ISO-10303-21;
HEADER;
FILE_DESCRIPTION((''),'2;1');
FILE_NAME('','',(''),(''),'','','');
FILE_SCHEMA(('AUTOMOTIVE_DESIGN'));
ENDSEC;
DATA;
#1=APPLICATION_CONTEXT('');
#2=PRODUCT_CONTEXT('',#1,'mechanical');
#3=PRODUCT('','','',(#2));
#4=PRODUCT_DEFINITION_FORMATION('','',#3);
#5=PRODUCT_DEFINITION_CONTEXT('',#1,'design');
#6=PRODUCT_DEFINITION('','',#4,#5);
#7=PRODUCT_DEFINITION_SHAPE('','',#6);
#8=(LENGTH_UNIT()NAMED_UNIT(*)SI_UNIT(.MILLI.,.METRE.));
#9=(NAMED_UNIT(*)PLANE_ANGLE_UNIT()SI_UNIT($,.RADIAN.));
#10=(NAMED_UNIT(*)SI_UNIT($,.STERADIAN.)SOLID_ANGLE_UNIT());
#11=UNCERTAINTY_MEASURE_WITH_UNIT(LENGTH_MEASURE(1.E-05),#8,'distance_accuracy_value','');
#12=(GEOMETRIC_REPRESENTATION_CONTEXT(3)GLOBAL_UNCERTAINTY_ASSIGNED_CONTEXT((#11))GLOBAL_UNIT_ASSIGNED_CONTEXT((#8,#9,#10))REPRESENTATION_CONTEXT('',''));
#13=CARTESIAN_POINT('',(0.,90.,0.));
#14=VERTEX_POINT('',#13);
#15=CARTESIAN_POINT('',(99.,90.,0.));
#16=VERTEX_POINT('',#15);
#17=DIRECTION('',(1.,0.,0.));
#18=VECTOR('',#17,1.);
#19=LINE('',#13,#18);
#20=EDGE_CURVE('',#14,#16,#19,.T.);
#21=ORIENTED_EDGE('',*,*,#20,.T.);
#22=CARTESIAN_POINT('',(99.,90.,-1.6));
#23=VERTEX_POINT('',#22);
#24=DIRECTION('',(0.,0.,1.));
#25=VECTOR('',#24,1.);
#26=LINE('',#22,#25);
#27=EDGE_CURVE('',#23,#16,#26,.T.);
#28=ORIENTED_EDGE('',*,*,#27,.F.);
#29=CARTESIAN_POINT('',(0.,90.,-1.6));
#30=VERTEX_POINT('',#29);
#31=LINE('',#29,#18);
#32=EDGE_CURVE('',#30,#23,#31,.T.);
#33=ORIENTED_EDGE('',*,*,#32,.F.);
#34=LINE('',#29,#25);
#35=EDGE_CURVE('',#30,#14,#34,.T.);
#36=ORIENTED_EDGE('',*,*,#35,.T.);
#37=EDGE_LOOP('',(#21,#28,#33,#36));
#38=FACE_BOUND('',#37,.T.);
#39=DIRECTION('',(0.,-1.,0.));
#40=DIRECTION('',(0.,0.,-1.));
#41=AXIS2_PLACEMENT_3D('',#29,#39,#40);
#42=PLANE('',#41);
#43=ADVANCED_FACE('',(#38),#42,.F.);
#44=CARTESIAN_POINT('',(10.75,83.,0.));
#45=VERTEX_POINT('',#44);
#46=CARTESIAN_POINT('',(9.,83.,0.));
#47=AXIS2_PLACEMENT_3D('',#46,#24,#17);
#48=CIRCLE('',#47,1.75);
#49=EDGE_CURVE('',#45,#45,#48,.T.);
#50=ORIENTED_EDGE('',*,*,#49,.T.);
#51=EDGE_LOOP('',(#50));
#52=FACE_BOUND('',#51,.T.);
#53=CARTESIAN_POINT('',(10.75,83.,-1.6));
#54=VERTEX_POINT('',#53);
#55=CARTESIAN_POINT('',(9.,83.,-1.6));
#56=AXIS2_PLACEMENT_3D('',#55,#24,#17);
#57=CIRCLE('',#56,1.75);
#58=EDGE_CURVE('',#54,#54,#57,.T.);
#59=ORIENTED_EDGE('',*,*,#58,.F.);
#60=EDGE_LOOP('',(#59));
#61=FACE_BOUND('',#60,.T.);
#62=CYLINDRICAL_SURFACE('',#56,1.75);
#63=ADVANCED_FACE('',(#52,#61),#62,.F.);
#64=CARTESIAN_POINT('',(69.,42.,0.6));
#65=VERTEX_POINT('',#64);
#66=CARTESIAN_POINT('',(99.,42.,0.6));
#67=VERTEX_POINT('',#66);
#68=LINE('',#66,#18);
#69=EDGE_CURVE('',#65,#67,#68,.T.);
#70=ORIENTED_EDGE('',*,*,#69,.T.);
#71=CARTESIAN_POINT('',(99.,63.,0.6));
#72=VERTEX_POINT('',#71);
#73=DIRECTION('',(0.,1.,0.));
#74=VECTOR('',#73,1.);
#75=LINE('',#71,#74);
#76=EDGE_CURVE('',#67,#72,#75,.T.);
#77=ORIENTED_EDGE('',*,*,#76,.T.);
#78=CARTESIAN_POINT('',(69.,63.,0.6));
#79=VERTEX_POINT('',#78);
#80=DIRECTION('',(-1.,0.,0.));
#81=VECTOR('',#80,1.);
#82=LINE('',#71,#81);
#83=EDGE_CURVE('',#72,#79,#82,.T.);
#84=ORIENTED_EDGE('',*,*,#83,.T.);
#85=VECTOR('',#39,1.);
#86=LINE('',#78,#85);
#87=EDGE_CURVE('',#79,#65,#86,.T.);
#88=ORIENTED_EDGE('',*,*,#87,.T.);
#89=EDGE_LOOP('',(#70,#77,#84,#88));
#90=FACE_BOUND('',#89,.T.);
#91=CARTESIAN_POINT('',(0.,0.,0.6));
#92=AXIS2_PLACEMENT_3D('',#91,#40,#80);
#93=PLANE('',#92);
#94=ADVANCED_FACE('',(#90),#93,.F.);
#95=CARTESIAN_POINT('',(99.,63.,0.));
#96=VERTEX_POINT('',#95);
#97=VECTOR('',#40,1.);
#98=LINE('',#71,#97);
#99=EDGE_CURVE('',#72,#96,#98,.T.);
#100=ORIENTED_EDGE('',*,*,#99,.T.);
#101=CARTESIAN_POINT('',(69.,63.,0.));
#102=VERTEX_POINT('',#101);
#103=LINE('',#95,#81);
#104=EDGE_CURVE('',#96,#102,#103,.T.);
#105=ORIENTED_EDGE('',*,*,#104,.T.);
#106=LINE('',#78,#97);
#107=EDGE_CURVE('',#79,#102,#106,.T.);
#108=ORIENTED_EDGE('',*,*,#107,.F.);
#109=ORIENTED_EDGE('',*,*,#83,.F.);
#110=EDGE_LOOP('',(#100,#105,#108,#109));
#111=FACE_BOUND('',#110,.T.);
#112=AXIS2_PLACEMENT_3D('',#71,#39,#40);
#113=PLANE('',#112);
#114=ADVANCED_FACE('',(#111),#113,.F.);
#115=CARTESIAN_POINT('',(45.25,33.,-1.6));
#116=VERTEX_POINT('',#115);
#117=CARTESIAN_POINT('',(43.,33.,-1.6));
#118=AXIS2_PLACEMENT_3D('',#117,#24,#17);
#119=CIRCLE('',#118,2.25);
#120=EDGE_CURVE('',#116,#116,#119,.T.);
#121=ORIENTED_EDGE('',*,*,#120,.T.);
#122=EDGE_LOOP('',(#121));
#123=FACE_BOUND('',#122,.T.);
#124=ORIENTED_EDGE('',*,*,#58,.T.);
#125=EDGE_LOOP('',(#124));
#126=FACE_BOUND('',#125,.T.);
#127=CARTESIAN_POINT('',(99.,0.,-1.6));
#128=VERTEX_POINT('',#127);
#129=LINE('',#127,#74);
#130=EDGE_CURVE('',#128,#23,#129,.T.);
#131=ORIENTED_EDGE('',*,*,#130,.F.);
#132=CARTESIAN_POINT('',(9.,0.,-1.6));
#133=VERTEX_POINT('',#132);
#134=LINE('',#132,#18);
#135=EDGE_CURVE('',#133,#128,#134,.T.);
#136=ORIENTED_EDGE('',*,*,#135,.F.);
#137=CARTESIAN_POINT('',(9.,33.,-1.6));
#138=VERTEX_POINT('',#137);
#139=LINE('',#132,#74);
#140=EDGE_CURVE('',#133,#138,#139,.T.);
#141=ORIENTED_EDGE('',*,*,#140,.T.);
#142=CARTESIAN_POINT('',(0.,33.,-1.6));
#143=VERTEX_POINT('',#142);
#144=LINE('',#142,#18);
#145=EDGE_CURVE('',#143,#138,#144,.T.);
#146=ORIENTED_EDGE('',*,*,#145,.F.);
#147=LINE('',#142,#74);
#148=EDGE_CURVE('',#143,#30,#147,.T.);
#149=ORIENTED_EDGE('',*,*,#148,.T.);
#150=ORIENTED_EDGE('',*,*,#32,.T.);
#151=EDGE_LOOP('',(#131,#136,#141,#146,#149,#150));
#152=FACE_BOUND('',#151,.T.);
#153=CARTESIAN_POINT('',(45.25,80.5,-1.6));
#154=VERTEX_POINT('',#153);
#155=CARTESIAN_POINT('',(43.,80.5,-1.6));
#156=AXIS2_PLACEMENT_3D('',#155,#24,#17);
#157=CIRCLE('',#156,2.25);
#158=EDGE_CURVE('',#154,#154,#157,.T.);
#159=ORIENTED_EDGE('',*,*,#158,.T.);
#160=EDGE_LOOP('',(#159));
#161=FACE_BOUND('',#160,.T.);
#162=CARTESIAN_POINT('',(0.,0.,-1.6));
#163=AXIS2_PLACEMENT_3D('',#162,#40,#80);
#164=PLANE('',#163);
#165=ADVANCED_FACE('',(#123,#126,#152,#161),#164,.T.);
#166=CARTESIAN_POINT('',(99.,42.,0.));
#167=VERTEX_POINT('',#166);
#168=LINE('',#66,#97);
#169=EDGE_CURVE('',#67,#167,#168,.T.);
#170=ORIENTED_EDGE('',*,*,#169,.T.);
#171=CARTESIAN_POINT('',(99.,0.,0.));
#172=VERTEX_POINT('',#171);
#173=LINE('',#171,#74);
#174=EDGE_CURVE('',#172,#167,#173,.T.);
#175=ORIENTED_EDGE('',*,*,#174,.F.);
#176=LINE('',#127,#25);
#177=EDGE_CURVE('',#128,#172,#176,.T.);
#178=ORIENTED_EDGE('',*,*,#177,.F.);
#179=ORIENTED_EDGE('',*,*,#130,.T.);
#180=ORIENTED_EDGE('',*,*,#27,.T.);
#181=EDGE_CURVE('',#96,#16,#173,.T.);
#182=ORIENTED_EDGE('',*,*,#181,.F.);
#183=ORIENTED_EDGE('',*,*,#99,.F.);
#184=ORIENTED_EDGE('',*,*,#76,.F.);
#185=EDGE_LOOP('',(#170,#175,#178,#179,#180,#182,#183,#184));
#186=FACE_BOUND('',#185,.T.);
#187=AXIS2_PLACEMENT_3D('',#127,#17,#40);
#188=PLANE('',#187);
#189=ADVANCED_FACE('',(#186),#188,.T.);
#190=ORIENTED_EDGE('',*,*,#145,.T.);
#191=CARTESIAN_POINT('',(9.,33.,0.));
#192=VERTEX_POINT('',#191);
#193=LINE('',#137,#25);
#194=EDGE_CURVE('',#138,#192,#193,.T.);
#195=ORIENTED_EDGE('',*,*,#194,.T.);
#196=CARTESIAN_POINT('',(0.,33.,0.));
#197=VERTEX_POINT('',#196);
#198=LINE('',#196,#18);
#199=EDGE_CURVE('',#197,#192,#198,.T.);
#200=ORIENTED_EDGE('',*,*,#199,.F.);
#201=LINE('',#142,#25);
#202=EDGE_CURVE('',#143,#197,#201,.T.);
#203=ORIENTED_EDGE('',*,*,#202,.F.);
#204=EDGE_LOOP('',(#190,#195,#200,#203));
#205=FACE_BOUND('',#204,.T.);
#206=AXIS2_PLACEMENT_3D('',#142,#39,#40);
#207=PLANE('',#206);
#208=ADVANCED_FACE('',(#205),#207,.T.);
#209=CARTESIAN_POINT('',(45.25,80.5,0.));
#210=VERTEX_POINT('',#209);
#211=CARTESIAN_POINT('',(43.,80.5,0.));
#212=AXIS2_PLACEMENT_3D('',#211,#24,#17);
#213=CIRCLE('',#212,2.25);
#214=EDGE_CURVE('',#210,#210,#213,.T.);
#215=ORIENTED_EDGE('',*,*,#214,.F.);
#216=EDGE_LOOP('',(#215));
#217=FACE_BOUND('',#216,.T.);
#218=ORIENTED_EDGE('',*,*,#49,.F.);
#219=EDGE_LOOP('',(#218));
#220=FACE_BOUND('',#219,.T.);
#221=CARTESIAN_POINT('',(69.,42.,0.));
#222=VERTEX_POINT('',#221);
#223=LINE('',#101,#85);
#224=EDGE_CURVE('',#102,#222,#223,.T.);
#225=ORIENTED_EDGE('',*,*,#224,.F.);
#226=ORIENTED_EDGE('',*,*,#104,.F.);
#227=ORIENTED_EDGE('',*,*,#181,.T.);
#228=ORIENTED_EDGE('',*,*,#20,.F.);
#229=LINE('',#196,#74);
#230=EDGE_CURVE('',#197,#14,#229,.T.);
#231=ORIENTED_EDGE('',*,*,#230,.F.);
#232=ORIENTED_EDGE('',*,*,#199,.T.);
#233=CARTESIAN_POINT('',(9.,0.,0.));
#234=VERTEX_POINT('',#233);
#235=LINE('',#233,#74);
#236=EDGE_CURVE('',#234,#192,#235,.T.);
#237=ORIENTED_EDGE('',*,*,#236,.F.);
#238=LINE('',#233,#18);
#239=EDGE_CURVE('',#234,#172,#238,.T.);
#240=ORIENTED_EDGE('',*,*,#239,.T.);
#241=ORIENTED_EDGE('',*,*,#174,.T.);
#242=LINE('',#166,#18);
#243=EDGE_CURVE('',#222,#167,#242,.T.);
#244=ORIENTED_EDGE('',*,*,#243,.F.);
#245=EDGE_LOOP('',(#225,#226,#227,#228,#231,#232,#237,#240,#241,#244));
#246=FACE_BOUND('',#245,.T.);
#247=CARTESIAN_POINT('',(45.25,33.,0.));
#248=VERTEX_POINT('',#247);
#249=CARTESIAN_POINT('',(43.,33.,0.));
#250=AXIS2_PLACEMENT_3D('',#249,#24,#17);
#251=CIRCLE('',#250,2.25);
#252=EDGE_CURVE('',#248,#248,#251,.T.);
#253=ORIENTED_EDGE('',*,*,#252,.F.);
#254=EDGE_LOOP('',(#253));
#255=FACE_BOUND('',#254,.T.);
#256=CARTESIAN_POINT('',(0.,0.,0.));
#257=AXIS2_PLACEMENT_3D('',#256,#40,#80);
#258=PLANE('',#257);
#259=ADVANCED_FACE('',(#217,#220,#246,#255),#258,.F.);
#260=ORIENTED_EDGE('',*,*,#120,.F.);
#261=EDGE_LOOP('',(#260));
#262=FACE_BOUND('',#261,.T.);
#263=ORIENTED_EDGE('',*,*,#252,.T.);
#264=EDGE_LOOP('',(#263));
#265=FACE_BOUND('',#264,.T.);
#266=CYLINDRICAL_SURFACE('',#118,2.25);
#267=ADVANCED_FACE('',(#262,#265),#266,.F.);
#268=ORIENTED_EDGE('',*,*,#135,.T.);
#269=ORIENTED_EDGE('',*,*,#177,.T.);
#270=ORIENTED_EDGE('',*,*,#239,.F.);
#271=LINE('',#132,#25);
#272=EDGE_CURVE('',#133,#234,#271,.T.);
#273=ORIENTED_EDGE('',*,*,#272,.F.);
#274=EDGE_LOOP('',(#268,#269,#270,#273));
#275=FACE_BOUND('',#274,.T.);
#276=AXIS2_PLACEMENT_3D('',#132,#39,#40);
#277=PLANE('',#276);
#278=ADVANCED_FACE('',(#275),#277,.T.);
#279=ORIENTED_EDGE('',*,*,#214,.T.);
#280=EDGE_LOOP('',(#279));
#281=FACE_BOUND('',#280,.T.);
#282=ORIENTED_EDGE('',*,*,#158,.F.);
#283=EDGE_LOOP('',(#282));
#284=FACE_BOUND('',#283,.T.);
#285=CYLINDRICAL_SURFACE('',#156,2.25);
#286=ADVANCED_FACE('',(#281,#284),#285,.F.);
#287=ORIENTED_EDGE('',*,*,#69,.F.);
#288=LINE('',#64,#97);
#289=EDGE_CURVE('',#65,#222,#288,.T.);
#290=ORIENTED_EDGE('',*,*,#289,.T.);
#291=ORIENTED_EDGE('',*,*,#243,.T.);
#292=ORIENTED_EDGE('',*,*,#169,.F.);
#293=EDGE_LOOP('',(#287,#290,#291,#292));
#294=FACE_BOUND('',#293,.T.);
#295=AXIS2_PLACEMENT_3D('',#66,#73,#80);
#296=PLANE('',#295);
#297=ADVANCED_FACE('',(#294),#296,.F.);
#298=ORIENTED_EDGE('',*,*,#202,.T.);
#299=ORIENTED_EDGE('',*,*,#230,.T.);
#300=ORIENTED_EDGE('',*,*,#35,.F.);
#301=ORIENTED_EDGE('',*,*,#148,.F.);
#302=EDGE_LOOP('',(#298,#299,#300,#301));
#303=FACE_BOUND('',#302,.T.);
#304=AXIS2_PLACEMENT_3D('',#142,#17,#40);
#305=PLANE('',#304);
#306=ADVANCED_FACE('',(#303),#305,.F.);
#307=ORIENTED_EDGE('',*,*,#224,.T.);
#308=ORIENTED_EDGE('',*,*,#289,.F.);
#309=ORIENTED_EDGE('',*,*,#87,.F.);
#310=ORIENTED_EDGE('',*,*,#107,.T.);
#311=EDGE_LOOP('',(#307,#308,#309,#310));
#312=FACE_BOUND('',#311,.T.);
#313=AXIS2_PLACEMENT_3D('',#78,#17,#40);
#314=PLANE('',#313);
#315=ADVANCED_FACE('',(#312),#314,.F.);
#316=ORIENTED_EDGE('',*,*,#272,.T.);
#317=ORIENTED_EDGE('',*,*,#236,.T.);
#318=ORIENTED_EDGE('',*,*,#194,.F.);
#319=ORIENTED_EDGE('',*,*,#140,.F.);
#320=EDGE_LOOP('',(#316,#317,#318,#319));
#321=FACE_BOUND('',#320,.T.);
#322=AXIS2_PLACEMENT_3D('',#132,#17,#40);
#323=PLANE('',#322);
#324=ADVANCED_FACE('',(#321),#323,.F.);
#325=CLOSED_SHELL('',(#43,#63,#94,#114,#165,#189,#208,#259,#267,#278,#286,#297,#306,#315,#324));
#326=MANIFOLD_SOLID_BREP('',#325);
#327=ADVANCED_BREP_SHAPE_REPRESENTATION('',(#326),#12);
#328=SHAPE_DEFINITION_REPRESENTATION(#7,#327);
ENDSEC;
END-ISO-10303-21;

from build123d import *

# Parameters (mm, degrees)
BOARDBASE_DEPTH      = 1.6
SKETCH2_R            = 1.75
SKETCH2_R_2          = 2.25
EXISTING_HOLES_DEPTH = 2.6
SKETCH3_W            = 30
SKETCH3_H            = 21
FREE_AREA_DEPTH      = 0.6


with BuildPart() as part:
    # Sketch1 → BoardBase (new body)
    with BuildSketch(Plane.XY):
        Polygon((9, 0), (99, 0), (99, 90), (0, 90), (0, 33), (9, 33), align=None)
    extrude(amount=-BOARDBASE_DEPTH)

    # Sketch2 → Existing Holes (cut, through all)
    with BuildSketch(Plane.XY):
        with Locations((9, 83)):
            Circle(SKETCH2_R)
        with Locations((43, 80.5)):
            Circle(SKETCH2_R_2)
        with Locations((43, 33)):
            Circle(SKETCH2_R_2)
    extrude(amount=-EXISTING_HOLES_DEPTH, mode=Mode.SUBTRACT)

    # Sketch3 → 'Free' area (add)
    with BuildSketch(Plane.XY):
        with Locations((84, 52.5)):
            Rectangle(SKETCH3_W, SKETCH3_H)
    extrude(amount=FREE_AREA_DEPTH)


solid = part.part
